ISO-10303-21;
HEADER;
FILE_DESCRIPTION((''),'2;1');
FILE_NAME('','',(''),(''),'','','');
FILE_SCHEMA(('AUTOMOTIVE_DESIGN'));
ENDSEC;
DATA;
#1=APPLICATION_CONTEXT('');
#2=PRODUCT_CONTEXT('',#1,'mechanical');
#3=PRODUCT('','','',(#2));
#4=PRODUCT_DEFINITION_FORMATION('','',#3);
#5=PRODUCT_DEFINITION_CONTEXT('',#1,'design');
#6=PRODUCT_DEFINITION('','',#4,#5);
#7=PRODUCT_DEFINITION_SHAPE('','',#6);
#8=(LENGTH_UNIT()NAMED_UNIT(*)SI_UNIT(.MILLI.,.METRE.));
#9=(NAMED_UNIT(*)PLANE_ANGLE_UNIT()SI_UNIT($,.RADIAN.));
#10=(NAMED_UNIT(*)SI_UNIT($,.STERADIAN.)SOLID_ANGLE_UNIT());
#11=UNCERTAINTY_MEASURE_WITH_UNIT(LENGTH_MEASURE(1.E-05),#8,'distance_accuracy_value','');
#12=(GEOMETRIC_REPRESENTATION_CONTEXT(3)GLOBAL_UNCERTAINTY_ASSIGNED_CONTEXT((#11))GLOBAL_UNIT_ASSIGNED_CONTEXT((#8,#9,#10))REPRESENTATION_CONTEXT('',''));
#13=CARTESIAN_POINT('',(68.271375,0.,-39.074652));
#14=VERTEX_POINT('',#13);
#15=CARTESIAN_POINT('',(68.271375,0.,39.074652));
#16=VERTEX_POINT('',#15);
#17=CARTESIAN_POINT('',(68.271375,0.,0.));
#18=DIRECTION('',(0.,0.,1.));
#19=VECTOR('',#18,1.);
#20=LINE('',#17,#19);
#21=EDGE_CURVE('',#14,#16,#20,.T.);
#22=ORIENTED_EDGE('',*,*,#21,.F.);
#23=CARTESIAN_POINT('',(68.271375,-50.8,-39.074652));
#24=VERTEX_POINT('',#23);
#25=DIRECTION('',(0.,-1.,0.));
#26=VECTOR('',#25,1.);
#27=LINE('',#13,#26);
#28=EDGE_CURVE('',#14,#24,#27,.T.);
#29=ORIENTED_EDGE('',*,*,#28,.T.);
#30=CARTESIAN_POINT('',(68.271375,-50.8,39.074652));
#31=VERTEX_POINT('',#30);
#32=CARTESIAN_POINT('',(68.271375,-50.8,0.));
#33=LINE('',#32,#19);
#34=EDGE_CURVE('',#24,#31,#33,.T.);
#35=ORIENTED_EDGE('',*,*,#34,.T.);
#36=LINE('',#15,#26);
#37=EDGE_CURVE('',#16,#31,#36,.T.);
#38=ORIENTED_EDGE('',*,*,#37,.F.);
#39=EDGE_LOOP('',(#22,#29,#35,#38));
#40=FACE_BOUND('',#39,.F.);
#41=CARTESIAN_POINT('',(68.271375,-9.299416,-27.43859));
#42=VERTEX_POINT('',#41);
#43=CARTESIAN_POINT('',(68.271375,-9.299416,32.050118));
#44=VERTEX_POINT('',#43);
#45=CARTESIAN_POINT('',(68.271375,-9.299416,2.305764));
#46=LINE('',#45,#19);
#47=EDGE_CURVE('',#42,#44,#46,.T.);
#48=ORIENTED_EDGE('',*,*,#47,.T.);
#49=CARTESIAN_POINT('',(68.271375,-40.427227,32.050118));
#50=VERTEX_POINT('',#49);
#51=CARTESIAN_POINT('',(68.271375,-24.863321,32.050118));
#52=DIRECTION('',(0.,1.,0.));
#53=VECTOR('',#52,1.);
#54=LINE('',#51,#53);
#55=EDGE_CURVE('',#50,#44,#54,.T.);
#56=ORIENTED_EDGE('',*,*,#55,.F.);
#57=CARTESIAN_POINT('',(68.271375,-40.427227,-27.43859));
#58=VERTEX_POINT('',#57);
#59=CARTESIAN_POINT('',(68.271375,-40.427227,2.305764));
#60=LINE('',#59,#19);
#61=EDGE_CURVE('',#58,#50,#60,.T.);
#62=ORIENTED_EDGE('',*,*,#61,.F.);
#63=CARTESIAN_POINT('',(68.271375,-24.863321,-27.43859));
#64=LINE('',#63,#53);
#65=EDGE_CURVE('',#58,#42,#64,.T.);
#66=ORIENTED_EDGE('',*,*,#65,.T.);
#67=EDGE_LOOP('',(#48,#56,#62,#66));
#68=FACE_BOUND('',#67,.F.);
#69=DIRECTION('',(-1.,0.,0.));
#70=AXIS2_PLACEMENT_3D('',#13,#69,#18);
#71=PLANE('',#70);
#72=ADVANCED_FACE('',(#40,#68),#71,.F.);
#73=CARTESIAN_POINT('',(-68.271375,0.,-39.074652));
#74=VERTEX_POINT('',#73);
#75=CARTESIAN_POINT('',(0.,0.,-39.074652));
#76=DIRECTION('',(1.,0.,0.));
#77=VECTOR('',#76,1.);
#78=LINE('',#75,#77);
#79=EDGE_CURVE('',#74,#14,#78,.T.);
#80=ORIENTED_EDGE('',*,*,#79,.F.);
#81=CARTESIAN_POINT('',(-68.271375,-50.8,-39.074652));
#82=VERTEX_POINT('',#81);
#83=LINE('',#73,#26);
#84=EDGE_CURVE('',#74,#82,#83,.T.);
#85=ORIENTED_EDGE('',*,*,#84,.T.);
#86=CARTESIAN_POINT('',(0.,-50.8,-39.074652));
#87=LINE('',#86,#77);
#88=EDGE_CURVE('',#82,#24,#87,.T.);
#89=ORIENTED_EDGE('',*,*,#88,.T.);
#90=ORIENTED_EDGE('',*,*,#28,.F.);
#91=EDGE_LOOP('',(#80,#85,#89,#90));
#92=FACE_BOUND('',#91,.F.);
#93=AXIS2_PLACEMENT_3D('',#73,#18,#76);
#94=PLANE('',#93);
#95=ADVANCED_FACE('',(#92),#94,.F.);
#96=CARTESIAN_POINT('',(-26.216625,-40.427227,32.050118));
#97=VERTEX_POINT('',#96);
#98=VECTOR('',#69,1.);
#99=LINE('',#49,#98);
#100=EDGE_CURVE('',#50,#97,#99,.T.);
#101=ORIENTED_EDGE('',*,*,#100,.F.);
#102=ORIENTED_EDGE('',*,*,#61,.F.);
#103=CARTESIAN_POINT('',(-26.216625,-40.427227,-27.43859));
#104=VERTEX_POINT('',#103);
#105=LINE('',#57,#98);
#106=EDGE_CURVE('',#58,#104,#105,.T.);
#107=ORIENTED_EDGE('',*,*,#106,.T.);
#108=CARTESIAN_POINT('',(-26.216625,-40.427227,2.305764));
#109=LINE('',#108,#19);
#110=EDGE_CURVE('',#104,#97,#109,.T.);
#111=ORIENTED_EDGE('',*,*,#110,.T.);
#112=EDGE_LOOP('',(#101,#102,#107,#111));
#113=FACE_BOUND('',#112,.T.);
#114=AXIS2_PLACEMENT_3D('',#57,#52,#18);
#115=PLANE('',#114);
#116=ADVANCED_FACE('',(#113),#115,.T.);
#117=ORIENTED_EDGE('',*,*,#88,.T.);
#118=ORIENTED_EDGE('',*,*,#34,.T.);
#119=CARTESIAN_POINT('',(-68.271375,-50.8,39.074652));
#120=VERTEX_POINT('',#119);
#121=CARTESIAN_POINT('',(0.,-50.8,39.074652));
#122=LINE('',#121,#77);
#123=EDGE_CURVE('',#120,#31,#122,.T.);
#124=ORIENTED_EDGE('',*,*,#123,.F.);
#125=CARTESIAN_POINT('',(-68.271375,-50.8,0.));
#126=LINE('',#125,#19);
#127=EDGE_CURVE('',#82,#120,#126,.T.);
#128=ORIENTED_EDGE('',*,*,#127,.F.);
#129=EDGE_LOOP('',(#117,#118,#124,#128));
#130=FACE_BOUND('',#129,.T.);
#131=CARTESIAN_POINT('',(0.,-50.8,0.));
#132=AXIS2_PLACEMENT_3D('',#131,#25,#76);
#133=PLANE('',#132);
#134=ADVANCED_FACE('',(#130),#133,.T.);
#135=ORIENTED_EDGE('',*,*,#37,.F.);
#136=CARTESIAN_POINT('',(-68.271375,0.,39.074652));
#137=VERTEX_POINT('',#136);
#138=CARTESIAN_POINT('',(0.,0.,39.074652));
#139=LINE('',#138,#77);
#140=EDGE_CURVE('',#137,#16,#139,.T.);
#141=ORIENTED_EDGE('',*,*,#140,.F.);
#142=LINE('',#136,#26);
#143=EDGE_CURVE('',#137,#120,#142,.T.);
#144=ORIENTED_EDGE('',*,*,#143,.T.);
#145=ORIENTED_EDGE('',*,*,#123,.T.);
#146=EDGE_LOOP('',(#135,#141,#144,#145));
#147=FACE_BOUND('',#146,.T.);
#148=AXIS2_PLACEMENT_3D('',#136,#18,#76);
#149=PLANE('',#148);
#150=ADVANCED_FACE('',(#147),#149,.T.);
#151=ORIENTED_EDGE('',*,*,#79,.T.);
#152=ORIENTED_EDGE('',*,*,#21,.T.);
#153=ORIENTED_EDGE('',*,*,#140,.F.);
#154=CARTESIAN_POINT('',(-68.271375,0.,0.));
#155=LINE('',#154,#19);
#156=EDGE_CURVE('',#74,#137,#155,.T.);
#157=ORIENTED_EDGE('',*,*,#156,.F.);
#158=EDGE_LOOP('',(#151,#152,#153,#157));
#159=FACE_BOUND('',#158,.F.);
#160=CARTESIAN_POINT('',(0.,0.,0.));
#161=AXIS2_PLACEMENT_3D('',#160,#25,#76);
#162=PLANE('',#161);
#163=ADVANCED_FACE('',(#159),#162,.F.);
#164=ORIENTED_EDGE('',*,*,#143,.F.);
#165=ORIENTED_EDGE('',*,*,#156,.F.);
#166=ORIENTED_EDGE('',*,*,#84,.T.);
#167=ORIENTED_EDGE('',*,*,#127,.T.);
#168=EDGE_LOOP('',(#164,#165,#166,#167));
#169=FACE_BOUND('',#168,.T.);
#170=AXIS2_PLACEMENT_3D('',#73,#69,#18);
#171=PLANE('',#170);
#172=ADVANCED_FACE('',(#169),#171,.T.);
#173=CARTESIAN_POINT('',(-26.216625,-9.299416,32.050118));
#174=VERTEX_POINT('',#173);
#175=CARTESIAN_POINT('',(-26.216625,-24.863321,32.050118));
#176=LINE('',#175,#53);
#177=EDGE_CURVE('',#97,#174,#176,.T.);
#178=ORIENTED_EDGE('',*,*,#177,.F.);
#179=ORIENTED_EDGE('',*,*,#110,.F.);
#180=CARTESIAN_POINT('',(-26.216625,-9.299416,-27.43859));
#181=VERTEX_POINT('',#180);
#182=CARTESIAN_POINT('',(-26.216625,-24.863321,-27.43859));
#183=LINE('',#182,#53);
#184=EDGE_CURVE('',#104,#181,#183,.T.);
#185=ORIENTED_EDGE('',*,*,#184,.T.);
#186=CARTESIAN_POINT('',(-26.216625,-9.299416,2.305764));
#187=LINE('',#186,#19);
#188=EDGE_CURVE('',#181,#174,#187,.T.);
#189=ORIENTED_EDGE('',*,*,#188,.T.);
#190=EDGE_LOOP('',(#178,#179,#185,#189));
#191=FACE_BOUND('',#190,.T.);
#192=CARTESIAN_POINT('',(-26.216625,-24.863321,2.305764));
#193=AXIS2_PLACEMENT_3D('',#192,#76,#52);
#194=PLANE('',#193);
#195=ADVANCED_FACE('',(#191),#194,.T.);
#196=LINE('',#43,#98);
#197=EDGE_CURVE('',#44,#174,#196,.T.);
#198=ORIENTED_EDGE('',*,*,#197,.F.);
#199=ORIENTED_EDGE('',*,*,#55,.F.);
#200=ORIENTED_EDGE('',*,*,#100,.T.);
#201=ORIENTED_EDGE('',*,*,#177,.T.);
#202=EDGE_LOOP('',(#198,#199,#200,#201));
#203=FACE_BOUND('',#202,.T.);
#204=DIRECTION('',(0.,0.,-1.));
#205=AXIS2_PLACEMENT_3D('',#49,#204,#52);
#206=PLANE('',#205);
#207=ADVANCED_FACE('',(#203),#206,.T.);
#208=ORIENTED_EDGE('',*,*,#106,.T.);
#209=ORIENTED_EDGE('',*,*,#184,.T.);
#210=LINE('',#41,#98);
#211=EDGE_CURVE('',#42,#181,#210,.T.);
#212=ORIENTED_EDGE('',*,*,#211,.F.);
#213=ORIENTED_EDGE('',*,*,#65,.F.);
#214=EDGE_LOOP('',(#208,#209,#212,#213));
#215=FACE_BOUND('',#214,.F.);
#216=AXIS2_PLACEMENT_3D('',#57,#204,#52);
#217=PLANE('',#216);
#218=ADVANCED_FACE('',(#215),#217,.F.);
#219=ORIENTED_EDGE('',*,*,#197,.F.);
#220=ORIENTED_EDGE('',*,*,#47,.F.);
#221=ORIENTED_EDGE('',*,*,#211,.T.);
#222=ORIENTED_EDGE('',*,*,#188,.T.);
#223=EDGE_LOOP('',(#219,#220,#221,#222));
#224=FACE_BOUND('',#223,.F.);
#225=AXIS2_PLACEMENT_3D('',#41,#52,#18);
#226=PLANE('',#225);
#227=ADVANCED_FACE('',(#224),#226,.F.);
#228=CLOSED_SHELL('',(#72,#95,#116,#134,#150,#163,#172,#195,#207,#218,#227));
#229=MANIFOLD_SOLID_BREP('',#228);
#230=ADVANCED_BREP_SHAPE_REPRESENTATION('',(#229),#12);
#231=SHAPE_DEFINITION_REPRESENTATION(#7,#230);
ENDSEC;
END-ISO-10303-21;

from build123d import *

# Parameters (mm, degrees)
F0_W     = 136.54275
F0_H     = 78.149304
F1_DEPTH = 50.8
F2_W     = 31.127811
F2_H     = 59.488708
F3_DEPTH = 94.488


with BuildPart() as f1:
    # F0 (on Front) → F1 (new body)
    with BuildSketch(Plane.XZ):
        Rectangle(F0_W, F0_H)
    extrude(amount=F1_DEPTH)

    # F2 (on face) → F3 (cut)
    with BuildSketch(Plane.YZ.offset(68.271375)):
        with Locations((-24.863321, 2.305764)):
            Rectangle(F2_W, F2_H)
    extrude(amount=-F3_DEPTH, mode=Mode.SUBTRACT)


solid = f1.part
